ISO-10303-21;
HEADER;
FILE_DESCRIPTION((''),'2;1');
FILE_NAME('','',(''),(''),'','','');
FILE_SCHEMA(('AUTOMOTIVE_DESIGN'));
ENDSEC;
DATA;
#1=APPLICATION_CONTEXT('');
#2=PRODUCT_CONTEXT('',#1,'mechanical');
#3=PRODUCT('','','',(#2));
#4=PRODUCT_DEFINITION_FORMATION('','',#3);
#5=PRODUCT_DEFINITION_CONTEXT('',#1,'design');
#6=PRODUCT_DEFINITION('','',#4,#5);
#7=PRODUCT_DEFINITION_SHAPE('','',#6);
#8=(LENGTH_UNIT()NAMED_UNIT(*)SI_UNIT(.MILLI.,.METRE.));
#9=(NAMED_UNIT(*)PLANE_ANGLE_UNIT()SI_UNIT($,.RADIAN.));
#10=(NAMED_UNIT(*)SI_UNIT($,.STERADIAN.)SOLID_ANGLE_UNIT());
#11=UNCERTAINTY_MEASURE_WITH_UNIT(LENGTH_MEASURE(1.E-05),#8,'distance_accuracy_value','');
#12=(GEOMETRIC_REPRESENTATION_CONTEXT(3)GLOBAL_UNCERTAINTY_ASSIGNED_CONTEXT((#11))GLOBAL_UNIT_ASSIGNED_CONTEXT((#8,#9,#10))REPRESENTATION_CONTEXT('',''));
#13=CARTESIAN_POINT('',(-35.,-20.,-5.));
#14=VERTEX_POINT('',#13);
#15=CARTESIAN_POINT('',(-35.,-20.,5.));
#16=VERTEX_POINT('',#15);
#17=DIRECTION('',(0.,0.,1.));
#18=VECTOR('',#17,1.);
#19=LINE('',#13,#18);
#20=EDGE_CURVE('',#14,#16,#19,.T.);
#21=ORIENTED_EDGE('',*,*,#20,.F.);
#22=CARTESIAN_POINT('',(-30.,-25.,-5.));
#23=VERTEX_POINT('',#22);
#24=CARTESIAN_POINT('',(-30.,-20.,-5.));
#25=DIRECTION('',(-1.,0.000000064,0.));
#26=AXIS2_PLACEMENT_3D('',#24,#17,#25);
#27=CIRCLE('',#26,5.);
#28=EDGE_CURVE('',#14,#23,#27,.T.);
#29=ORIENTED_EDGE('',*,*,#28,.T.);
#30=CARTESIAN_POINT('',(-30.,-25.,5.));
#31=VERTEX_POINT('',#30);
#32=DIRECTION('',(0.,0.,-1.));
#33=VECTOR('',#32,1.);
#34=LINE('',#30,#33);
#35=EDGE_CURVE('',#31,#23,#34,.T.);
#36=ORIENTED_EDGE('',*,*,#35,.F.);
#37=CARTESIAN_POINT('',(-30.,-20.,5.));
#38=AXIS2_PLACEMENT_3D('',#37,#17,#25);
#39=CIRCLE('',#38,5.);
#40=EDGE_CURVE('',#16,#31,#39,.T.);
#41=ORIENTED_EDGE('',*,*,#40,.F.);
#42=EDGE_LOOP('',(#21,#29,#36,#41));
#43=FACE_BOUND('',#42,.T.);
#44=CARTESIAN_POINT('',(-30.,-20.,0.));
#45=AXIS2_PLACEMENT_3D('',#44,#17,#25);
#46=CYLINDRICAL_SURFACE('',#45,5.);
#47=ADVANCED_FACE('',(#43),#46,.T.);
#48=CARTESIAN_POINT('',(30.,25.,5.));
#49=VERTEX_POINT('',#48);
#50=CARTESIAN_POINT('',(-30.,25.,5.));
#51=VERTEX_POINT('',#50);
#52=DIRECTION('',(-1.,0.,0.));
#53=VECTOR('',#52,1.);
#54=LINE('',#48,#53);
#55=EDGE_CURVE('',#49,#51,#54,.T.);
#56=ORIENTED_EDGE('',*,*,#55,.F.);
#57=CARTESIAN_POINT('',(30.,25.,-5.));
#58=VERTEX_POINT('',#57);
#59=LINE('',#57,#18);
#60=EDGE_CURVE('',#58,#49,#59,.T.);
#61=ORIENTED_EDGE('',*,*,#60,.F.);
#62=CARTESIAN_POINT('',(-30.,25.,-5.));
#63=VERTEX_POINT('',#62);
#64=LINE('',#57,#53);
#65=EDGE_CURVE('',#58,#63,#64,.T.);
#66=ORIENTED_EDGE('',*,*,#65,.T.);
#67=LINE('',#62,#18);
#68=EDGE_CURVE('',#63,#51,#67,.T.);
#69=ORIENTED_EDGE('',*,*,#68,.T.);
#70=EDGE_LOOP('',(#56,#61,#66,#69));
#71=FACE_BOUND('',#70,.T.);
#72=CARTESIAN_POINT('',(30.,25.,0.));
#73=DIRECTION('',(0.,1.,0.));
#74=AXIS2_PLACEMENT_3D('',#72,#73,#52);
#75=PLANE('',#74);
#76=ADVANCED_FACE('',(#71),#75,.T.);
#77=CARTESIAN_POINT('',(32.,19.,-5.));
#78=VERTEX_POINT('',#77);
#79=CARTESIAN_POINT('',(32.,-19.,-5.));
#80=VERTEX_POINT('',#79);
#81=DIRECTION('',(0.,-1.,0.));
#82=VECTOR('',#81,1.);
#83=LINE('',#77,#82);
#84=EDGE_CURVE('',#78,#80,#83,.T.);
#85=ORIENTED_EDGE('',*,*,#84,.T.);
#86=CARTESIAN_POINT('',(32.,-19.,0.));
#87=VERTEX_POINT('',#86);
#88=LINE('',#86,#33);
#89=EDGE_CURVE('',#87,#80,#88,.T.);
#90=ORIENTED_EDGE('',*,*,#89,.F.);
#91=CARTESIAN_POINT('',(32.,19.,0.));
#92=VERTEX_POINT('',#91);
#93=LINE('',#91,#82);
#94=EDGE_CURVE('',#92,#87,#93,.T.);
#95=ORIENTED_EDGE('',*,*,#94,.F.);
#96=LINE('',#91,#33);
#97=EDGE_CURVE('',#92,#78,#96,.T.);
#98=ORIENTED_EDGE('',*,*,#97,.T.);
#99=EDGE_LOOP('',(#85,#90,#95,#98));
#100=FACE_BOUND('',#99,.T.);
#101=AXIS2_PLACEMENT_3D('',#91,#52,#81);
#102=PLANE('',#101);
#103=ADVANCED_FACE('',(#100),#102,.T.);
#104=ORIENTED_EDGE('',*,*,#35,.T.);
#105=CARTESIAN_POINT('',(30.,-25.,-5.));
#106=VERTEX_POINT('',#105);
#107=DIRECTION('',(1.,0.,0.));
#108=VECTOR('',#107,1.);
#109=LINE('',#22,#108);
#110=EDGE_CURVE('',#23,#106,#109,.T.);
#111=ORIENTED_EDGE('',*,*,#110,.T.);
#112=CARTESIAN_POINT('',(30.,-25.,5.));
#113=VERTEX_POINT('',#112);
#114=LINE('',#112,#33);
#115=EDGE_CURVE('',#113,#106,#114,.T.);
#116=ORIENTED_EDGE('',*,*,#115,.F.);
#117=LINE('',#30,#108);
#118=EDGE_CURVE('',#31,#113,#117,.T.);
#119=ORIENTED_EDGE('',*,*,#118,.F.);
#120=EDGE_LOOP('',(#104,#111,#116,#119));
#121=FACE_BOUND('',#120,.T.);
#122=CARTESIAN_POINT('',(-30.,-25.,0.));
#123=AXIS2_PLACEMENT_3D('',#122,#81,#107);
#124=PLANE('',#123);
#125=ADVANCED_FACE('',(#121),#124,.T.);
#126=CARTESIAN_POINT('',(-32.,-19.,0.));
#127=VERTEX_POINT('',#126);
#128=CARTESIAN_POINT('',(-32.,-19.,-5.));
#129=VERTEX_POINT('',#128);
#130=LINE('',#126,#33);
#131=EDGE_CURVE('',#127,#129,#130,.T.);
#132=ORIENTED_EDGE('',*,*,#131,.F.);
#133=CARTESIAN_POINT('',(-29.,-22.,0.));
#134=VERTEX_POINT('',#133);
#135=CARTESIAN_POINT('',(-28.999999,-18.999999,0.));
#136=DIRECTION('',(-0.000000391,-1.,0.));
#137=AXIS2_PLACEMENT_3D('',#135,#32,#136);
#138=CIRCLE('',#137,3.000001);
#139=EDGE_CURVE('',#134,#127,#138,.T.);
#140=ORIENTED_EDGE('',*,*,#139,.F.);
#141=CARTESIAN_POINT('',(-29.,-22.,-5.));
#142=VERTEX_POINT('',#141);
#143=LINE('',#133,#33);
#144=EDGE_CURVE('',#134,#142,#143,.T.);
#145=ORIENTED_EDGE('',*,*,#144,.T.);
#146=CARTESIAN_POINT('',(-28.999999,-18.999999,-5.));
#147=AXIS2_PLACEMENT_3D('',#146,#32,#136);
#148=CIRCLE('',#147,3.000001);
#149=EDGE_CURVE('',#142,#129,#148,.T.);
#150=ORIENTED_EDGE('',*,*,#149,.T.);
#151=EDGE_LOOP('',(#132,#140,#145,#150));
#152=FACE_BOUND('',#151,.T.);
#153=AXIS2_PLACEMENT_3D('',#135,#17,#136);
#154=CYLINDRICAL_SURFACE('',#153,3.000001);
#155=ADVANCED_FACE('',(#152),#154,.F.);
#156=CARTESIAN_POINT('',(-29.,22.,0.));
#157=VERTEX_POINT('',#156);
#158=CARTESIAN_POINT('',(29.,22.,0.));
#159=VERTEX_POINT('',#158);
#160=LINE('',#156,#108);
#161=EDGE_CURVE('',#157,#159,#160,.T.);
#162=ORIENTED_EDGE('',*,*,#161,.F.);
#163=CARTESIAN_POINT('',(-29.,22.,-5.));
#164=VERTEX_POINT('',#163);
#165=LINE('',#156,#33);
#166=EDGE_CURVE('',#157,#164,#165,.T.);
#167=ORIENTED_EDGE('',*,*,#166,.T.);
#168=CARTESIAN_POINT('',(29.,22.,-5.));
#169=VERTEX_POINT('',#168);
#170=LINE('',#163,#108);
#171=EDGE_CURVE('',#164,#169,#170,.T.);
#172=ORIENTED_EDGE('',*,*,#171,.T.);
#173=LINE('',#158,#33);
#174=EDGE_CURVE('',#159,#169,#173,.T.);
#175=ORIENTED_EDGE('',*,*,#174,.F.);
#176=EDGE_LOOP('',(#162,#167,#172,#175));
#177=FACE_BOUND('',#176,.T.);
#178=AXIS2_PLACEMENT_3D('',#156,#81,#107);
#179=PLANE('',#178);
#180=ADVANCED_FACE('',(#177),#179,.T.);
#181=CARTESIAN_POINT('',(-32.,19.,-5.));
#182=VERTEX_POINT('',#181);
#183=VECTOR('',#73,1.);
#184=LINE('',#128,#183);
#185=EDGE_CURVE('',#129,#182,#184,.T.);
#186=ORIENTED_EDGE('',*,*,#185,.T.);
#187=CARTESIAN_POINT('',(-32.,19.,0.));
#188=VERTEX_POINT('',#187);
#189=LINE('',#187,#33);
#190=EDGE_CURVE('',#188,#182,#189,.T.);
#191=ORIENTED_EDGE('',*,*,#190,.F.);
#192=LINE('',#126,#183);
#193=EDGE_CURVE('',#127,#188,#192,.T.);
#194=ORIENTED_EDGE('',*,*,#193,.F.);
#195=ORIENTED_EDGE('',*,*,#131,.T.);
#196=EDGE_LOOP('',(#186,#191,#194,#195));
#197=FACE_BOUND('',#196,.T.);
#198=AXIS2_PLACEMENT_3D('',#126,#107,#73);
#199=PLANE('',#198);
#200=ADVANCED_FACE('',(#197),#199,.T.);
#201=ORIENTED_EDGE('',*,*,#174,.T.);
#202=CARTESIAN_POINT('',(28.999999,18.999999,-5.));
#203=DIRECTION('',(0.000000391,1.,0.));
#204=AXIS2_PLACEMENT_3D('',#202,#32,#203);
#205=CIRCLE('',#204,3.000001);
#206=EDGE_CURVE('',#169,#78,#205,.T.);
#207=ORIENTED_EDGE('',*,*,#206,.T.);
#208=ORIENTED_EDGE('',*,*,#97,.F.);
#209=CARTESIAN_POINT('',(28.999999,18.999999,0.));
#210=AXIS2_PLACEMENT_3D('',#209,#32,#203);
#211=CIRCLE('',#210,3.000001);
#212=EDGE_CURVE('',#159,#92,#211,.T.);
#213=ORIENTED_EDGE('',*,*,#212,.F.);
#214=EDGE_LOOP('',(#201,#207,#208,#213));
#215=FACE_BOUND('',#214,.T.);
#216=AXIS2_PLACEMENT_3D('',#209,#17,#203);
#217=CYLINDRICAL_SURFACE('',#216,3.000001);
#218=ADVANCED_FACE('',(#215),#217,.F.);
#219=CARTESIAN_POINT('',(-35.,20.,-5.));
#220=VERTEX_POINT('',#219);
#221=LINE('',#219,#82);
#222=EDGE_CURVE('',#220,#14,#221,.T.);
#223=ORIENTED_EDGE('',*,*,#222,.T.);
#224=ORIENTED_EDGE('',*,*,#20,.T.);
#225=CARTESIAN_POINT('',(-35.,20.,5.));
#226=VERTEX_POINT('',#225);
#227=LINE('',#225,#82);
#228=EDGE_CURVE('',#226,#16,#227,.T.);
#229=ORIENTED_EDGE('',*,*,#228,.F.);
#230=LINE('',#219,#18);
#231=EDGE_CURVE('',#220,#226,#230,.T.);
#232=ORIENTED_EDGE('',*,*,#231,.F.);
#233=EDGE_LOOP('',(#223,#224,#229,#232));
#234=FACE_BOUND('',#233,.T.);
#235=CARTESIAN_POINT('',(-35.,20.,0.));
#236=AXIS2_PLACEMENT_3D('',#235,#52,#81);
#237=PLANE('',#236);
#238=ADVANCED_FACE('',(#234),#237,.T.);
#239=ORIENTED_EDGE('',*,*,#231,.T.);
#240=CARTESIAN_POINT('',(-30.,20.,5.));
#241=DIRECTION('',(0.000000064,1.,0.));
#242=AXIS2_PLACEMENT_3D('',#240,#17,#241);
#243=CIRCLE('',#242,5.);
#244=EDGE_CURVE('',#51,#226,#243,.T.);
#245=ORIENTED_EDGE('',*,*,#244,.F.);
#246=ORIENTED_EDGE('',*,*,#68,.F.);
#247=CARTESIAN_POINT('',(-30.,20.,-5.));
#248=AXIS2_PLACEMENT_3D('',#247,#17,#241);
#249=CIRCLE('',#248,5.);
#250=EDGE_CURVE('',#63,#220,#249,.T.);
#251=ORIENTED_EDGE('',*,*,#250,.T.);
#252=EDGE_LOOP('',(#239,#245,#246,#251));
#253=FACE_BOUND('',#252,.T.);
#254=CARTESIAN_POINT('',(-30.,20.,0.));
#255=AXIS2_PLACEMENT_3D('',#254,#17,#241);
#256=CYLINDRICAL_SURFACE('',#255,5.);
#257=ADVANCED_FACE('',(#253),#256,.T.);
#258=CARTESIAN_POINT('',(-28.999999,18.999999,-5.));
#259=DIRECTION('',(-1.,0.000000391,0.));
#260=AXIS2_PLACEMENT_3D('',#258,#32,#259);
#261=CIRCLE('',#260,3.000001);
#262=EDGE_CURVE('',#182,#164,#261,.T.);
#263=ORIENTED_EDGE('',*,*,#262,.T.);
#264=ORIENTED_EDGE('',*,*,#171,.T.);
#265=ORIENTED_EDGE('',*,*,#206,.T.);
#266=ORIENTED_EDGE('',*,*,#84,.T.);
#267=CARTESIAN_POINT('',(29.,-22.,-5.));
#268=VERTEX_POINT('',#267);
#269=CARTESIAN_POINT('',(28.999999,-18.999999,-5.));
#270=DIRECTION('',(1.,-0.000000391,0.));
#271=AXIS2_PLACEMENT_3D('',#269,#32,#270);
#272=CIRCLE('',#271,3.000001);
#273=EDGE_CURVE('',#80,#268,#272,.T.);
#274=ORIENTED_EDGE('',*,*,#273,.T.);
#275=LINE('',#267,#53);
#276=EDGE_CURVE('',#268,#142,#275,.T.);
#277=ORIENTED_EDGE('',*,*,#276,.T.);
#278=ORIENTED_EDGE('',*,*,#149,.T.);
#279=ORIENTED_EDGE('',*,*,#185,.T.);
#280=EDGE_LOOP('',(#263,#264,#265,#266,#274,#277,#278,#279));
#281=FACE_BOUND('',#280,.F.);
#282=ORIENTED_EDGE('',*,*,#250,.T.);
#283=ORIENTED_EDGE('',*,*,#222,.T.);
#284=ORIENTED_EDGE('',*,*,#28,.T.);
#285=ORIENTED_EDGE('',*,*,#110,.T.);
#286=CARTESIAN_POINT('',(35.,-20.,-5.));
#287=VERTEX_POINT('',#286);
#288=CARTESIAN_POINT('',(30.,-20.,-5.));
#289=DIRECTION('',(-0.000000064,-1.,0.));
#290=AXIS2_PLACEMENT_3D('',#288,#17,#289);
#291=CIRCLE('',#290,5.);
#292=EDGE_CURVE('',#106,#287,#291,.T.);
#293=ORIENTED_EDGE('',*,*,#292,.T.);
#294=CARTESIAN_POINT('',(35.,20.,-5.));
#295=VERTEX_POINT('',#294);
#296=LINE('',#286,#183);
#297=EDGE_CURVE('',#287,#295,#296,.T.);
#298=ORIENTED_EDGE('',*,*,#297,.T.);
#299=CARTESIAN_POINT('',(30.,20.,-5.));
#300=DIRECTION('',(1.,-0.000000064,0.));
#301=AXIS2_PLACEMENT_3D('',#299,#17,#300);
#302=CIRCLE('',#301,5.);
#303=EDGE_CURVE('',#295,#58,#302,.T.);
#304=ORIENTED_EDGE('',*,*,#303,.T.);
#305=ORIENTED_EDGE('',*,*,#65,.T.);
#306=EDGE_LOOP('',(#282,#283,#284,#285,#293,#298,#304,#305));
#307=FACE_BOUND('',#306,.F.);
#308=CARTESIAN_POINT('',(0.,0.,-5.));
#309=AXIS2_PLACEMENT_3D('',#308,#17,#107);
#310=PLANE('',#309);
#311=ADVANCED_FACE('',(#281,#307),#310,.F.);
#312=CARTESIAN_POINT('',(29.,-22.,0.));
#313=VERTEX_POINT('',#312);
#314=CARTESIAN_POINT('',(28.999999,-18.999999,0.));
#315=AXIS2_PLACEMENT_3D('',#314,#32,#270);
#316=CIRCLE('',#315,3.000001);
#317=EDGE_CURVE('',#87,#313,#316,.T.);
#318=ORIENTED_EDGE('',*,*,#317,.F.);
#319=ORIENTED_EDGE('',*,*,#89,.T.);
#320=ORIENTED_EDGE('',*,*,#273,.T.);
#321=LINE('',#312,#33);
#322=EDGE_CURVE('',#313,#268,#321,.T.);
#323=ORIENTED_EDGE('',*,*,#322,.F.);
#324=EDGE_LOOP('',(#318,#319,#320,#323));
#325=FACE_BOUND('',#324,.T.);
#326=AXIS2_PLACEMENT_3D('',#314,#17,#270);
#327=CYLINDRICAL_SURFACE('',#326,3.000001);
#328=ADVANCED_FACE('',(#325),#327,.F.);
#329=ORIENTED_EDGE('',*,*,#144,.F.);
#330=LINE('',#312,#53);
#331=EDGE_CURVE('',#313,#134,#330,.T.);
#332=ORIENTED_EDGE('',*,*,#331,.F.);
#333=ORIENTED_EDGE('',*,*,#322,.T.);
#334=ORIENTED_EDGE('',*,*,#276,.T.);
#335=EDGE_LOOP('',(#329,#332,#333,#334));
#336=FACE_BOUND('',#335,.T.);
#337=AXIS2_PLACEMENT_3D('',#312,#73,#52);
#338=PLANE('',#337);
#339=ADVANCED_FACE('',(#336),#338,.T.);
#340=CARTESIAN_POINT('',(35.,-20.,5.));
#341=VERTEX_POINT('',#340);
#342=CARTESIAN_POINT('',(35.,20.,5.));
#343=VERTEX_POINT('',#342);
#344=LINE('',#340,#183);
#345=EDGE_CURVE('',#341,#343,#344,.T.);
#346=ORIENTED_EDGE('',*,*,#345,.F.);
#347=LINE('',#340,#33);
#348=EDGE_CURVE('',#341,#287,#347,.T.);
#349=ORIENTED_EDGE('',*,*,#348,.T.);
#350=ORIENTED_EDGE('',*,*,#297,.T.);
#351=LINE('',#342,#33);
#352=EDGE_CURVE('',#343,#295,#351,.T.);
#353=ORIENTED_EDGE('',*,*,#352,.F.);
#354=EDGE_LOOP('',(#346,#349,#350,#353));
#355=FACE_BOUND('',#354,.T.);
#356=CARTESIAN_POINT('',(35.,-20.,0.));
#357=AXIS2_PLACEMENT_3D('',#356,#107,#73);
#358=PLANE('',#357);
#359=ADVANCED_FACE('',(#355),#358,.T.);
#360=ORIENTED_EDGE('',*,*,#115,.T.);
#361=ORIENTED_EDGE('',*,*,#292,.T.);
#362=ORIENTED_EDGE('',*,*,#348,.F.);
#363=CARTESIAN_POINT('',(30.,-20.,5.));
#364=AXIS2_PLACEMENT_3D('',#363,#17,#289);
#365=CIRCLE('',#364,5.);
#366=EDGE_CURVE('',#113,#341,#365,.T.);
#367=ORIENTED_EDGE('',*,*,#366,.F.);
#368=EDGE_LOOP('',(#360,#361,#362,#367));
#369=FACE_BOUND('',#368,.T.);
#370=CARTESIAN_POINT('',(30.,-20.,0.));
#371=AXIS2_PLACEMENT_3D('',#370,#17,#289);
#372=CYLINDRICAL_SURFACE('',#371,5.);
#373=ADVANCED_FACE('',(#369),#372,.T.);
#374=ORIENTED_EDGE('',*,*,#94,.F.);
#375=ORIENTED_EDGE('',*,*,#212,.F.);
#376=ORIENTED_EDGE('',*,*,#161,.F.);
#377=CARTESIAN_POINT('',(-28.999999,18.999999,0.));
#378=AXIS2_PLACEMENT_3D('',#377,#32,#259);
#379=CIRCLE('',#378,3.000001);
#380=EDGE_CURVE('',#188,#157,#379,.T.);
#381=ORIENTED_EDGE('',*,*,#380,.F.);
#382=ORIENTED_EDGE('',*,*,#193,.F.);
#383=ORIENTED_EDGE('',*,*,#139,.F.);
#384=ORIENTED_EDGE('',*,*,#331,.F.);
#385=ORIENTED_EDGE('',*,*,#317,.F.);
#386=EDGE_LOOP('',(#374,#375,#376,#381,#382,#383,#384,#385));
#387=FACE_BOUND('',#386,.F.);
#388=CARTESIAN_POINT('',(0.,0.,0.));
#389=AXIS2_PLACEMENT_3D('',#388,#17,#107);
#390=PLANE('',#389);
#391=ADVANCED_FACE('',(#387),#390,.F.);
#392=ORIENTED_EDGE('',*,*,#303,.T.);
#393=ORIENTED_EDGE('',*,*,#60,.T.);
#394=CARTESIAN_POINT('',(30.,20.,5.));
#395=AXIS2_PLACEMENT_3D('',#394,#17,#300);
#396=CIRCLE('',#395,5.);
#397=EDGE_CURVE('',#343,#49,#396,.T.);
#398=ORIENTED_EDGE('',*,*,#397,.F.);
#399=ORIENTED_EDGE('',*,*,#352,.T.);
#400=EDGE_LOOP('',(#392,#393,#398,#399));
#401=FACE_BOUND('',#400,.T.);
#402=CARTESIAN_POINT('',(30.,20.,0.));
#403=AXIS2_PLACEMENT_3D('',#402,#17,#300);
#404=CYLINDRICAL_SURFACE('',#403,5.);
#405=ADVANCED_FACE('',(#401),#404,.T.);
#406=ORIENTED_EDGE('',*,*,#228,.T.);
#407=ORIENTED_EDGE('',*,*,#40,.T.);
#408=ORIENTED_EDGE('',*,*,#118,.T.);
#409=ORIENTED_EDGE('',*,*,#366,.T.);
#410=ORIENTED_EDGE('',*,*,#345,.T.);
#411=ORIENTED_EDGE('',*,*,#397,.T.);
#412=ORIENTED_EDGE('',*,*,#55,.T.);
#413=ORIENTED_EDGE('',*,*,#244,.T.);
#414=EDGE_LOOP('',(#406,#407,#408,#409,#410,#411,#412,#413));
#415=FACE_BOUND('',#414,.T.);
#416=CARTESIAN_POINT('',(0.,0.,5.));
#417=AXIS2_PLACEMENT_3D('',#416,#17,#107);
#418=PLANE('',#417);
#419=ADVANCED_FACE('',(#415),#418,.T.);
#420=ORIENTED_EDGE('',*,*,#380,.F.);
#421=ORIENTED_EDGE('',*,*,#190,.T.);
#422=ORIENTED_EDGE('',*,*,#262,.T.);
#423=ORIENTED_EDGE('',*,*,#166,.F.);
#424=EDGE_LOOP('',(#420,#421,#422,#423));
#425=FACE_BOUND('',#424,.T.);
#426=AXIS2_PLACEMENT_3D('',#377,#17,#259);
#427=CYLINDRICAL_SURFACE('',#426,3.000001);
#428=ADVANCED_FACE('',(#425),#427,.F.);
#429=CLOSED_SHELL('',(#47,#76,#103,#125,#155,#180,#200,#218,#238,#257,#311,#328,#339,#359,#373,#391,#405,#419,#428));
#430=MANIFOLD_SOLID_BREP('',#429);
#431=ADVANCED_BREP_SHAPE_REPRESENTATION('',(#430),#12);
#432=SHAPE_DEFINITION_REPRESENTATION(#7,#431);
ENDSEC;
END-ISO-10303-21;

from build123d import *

# Parameters (mm, degrees)
F1_DEPTH = 5
F2_DEPTH = 5


with BuildPart() as f1:
    # F0 (on Top) → F1 (new body)
    with BuildSketch(Plane.XY):
        with BuildLine():
            ThreePointArc((35, 20), (33.535534, 23.535534), (30, 25))
            Line((30, 25), (-30, 25))
            ThreePointArc((-30, 25), (-33.535534, 23.535534), (-35, 20))
            Line((-35, 20), (-35, -20))
            ThreePointArc((-35, -20), (-33.535534, -23.535534), (-30, -25))
            Line((-30, -25), (30, -25))
            ThreePointArc((30, -25), (33.535534, -23.535534), (35, -20))
            Line((35, -20), (35, 20))
        make_face()
        with BuildLine():
            Line((-32, -19), (-32, 19))
            ThreePointArc((-32, 19), (-31.12132, 21.12132), (-29, 22))
            Line((-29, 22), (29, 22))
            ThreePointArc((29, 22), (31.12132, 21.12132), (32, 19))
            Line((32, 19), (32, -19))
            ThreePointArc((32, -19), (31.12132, -21.12132), (29, -22))
            Line((29, -22), (-29, -22))
            ThreePointArc((-29, -22), (-31.12132, -21.12132), (-32, -19))
        make_face(mode=Mode.SUBTRACT)
        with BuildLine():
            ThreePointArc((-29, 22), (-31.12132, 21.12132), (-32, 19))
            Line((-32, 19), (-32, -19))
            ThreePointArc((-32, -19), (-31.12132, -21.12132), (-29, -22))
            Line((-29, -22), (29, -22))
            ThreePointArc((29, -22), (31.12132, -21.12132), (32, -19))
            Line((32, -19), (32, 19))
            ThreePointArc((32, 19), (31.12132, 21.12132), (29, 22))
            Line((29, 22), (-29, 22))
        make_face()
    extrude(amount=F1_DEPTH)

    # F0 (on Top) → F2 (join)
    with BuildSketch(Plane.XY):
        with BuildLine():
            ThreePointArc((35, 20), (33.535534, 23.535534), (30, 25))
            Line((30, 25), (-30, 25))
            ThreePointArc((-30, 25), (-33.535534, 23.535534), (-35, 20))
            Line((-35, 20), (-35, -20))
            ThreePointArc((-35, -20), (-33.535534, -23.535534), (-30, -25))
            Line((-30, -25), (30, -25))
            ThreePointArc((30, -25), (33.535534, -23.535534), (35, -20))
            Line((35, -20), (35, 20))
        make_face()
        with BuildLine():
            Line((-32, -19), (-32, 19))
            ThreePointArc((-32, 19), (-31.12132, 21.12132), (-29, 22))
            Line((-29, 22), (29, 22))
            ThreePointArc((29, 22), (31.12132, 21.12132), (32, 19))
            Line((32, 19), (32, -19))
            ThreePointArc((32, -19), (31.12132, -21.12132), (29, -22))
            Line((29, -22), (-29, -22))
            ThreePointArc((-29, -22), (-31.12132, -21.12132), (-32, -19))
        make_face(mode=Mode.SUBTRACT)
    extrude(amount=-F2_DEPTH)


solid = f1.part
